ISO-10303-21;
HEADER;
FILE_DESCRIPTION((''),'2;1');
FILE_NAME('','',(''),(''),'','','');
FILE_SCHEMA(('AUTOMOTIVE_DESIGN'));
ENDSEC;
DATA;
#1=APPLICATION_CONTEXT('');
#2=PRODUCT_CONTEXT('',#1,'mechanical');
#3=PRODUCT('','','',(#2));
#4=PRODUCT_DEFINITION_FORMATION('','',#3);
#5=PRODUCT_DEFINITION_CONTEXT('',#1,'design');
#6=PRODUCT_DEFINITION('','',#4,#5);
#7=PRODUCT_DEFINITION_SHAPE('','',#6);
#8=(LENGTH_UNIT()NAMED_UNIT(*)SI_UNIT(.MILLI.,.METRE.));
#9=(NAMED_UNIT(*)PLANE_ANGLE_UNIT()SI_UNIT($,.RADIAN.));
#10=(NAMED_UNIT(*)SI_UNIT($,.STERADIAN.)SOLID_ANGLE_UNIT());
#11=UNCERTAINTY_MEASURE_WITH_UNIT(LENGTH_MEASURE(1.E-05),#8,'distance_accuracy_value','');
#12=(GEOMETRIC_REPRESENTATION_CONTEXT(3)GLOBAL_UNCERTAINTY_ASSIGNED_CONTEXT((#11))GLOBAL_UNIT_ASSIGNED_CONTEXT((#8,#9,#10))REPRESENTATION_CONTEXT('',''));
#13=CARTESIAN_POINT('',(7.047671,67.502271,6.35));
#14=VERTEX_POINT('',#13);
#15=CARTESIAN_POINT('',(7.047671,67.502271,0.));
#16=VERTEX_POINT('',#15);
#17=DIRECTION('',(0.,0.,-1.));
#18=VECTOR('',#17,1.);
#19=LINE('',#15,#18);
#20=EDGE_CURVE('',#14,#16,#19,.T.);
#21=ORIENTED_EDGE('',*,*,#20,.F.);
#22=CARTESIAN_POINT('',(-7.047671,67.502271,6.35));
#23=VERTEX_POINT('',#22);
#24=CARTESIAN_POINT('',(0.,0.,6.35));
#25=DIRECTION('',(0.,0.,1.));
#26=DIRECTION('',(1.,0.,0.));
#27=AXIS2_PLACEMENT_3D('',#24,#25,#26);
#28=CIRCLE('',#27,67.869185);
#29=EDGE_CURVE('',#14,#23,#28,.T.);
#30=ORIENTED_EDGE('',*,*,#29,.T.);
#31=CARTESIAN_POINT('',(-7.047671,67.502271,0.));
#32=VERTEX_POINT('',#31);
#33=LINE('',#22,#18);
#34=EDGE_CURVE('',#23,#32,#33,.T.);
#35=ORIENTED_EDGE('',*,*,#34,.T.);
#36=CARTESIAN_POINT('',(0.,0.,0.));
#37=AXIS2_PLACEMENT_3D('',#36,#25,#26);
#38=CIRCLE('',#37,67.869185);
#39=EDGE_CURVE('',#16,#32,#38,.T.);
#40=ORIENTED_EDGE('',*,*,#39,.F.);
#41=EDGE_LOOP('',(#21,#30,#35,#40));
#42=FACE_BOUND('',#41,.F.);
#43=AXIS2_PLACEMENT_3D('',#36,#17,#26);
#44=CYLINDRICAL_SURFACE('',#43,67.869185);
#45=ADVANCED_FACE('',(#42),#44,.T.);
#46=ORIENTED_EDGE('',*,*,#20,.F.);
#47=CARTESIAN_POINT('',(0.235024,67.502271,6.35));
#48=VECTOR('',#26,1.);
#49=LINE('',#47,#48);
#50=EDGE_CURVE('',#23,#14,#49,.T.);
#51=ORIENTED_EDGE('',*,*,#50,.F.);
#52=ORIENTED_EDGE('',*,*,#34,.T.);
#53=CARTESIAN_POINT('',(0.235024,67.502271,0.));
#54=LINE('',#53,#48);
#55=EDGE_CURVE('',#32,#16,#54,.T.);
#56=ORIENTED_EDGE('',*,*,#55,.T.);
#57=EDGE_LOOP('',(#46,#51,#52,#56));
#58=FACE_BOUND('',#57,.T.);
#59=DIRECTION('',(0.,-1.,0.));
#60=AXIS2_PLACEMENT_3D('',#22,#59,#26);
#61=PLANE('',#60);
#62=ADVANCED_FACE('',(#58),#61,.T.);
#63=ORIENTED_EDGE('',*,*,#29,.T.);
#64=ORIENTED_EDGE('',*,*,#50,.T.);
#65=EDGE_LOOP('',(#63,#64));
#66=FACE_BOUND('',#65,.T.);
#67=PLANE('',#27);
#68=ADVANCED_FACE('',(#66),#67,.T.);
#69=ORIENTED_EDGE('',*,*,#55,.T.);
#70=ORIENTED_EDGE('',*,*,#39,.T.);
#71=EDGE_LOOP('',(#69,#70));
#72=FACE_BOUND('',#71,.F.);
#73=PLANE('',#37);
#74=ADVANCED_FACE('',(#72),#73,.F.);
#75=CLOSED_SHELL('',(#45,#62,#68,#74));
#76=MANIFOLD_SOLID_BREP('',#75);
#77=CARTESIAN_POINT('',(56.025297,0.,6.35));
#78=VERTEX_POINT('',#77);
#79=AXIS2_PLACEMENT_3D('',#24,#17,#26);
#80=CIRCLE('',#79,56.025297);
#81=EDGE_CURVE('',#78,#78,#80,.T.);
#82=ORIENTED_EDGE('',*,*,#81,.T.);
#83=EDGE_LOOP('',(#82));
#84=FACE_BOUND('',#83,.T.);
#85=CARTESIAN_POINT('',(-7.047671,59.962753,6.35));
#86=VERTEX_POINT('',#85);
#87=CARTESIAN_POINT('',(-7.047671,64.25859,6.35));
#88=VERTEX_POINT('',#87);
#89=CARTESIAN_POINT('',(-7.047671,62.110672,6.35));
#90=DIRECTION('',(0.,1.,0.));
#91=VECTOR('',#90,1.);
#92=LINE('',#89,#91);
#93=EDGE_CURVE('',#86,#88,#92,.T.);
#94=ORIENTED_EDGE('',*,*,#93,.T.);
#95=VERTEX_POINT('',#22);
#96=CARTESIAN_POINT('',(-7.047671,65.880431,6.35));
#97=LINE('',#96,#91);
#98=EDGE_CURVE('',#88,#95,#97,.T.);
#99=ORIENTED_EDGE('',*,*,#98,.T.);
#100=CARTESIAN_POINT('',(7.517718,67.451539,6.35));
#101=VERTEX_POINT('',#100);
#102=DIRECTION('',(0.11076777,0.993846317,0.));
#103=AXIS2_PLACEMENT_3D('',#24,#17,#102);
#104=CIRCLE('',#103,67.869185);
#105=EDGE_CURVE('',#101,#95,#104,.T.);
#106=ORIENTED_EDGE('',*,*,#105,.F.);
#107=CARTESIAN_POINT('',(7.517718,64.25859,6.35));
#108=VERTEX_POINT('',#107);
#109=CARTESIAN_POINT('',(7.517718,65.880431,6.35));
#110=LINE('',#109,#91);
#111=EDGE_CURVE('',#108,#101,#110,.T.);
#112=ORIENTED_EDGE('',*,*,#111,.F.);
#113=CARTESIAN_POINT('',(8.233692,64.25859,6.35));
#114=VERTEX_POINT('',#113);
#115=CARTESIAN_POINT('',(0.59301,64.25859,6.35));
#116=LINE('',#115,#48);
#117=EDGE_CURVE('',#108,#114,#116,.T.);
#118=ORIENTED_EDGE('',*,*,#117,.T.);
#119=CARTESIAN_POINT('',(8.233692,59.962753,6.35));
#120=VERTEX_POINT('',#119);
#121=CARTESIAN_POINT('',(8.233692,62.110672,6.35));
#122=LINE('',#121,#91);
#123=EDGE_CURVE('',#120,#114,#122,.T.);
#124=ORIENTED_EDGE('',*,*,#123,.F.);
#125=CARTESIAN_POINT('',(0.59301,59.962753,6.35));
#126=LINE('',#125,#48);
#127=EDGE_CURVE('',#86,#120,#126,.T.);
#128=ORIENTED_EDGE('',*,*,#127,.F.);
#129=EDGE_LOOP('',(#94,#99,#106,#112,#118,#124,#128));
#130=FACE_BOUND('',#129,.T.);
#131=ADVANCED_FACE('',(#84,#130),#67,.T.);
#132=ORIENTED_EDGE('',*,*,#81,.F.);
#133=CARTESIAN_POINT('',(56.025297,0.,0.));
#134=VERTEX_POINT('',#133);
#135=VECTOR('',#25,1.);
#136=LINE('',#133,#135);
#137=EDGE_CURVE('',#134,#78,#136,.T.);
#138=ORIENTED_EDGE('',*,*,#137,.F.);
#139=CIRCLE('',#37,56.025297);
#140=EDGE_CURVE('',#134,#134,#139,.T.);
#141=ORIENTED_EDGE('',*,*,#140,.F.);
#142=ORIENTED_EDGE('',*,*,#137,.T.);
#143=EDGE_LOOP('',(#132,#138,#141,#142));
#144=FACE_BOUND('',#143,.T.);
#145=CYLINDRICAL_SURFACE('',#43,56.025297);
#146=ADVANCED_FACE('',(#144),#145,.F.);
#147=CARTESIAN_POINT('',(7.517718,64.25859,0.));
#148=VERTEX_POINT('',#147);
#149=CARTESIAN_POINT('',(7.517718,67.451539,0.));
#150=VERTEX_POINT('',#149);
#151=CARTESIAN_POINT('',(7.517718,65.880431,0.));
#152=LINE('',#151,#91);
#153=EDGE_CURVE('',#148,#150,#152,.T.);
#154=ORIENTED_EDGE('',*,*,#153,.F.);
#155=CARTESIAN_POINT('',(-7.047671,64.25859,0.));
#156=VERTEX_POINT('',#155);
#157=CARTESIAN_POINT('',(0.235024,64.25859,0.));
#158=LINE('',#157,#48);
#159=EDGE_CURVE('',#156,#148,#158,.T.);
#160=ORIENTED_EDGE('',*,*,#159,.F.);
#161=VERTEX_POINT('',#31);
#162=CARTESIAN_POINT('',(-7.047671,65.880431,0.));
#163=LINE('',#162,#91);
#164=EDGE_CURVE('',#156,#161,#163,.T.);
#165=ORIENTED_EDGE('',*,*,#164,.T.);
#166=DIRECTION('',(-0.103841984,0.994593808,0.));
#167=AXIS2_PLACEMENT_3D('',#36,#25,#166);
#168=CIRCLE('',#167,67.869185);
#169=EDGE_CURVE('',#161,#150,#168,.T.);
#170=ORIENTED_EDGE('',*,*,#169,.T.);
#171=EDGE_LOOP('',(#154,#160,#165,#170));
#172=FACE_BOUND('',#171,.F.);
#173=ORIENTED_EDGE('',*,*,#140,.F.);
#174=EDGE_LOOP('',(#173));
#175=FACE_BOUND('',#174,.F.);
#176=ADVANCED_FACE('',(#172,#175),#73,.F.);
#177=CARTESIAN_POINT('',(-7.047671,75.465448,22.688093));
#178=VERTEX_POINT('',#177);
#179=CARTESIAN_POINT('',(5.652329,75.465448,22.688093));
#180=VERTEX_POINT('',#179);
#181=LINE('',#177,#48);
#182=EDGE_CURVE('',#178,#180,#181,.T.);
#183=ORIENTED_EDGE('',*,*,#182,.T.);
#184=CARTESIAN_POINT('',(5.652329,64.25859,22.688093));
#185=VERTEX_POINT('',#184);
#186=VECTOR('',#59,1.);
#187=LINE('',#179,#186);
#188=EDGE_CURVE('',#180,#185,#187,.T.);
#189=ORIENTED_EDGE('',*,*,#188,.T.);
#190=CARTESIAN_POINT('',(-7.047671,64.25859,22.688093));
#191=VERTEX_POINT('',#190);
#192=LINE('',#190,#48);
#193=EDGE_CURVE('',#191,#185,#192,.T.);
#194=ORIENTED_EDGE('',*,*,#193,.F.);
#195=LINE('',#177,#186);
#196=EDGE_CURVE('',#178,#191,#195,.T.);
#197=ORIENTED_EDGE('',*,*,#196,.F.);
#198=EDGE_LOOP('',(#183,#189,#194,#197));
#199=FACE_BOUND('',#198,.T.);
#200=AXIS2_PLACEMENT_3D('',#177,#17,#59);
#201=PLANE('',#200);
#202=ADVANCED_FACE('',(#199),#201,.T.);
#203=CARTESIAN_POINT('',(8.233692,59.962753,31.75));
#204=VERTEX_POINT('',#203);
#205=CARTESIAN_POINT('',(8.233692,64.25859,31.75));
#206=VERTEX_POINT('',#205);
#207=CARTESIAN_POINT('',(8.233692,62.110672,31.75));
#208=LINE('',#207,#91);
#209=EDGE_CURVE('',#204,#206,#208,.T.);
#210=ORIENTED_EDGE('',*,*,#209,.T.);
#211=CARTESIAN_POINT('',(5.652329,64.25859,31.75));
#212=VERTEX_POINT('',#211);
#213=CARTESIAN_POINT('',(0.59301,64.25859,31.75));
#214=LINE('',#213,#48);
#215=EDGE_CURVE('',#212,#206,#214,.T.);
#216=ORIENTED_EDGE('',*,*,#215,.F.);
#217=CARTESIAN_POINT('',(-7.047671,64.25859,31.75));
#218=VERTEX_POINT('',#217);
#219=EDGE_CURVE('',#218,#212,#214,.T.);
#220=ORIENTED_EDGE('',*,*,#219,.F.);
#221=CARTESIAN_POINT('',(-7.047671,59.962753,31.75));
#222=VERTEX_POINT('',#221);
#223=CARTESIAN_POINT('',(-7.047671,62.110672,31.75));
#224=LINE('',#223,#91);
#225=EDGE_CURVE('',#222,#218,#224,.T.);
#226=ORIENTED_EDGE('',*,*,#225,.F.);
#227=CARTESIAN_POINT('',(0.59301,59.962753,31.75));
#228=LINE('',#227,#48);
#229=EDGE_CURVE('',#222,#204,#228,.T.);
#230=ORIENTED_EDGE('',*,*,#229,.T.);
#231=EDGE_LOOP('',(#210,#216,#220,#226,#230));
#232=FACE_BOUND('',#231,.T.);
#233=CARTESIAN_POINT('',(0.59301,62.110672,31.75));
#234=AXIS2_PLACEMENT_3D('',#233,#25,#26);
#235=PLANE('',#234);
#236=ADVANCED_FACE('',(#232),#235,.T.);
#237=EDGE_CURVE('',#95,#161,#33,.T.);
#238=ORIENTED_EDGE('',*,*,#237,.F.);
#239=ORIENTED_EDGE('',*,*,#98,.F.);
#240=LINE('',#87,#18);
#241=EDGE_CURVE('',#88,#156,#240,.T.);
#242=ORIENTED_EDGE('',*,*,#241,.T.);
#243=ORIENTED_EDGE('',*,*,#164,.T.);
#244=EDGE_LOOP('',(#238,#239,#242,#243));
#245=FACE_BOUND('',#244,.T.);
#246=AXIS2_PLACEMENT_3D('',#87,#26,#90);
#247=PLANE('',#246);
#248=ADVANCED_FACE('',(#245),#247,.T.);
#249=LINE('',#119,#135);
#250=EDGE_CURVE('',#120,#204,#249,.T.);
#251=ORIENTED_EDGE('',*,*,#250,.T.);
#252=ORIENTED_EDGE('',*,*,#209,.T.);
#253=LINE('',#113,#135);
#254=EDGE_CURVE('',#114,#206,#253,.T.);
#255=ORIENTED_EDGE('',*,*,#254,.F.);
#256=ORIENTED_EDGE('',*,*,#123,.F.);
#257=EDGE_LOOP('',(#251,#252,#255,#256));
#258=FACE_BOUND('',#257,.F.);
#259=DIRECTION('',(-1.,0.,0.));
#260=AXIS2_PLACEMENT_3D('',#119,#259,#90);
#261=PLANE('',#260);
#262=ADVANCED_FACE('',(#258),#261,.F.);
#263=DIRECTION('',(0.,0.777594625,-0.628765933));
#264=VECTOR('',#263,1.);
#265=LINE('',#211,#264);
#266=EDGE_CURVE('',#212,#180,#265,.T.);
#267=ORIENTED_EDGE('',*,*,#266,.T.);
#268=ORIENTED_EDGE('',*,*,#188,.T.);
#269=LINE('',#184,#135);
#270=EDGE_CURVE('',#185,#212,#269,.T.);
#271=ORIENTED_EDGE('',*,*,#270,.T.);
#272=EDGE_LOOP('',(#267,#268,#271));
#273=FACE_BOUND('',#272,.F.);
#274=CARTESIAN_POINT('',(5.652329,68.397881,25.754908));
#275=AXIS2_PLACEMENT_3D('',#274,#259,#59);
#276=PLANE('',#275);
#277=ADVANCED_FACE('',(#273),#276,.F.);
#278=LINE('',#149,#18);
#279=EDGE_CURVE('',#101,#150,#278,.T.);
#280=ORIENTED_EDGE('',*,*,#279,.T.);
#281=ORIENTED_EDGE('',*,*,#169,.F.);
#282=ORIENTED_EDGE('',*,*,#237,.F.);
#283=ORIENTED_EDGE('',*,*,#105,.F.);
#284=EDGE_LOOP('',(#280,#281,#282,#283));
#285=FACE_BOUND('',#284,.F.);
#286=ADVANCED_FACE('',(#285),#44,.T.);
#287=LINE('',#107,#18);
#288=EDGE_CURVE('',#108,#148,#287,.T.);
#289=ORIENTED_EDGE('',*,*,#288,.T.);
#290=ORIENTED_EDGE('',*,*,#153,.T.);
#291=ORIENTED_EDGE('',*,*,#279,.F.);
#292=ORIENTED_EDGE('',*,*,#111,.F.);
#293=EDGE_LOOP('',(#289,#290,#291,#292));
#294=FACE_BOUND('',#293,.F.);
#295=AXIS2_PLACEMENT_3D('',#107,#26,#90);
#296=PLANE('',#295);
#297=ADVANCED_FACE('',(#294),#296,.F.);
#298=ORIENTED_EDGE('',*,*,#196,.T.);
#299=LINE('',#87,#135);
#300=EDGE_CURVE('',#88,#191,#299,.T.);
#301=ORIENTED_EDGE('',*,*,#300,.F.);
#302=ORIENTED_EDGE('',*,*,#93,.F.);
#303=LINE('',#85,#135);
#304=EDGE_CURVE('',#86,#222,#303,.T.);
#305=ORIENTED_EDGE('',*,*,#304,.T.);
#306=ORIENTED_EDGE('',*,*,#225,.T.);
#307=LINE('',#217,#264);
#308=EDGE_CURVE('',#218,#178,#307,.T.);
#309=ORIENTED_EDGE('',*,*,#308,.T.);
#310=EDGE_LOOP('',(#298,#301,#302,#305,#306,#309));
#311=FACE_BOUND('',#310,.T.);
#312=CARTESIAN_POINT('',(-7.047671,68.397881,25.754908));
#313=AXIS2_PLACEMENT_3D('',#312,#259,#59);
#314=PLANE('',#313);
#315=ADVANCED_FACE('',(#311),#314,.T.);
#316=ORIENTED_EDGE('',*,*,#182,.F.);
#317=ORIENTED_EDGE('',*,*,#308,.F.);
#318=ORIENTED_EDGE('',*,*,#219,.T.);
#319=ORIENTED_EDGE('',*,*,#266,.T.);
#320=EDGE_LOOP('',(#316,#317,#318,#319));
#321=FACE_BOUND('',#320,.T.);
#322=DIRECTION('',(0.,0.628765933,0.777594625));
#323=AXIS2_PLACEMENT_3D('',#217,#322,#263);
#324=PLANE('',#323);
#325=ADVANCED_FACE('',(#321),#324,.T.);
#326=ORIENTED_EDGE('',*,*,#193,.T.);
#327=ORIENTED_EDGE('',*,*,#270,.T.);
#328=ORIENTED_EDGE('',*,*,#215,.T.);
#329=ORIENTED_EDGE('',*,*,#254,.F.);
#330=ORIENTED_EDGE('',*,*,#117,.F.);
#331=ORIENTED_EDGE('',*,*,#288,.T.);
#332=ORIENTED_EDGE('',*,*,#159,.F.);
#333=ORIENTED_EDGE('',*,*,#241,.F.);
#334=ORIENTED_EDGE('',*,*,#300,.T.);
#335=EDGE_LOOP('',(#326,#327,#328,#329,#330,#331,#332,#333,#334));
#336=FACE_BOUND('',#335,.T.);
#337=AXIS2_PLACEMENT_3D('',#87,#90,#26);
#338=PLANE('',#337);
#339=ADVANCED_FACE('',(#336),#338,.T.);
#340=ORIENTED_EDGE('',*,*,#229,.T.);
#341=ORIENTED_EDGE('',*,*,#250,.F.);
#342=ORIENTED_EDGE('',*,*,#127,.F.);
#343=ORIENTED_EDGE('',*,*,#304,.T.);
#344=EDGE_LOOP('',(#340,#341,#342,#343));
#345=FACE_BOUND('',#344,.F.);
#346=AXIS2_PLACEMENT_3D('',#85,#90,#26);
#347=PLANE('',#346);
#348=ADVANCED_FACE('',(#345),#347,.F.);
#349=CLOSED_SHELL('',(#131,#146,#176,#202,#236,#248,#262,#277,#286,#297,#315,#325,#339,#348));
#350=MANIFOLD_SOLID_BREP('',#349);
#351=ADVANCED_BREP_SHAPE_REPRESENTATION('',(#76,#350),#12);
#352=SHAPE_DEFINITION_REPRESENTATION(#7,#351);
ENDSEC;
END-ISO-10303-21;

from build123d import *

# Parameters (mm, degrees)
F0_R     = 67.8691846605
F1_DEPTH = 6.35
F2_R     = 56.0252972028
F3_DEPTH = 19.05
F4_W     = 14.5653890634
F4_H     = 3.2436804546
F5_DEPTH = 6.35
F6_W     = 15.2813623847
F6_H     = 4.2958371341
F7_DEPTH = 25.4
F9_DEPTH = 12.7


with BuildPart() as f1:
    # F0 (on Top) → F1 (new body)
    with BuildSketch(Plane.XY):
        Circle(F0_R)
    extrude(amount=F1_DEPTH)

    # F2 (on Top) → F3 (cut)
    with BuildSketch(Plane.XY):
        Circle(F2_R)
    extrude(amount=F3_DEPTH, mode=Mode.SUBTRACT)

    # F4 (on face) → F5 (cut)
    with BuildSketch(Plane.XY.offset(6.35)):
        with Locations((0.2350237127, 65.8804305679)):
            Rectangle(F4_W, F4_H)
    extrude(amount=-F5_DEPTH, mode=Mode.SUBTRACT)

    # F6 (on face) → F7 (join)
    with BuildSketch(Plane.XY.offset(6.35)):
        with Locations((0.5930103733, 62.1106717736)):
            Rectangle(F6_W, F6_H)
    extrude(amount=F7_DEPTH)

    # F8 (on face) → F9 (join)
    with BuildSketch(Plane(origin=(-7.047670819, 0, 0), x_dir=(0, -1, 0), z_dir=(-1, 0, 0))):
        Polygon((-75.4654482007, 22.6880926639), (-64.2585903406, 22.6880926639), (-64.2585903406, 31.75), align=None)
    extrude(amount=-F9_DEPTH)


solid = f1.part
